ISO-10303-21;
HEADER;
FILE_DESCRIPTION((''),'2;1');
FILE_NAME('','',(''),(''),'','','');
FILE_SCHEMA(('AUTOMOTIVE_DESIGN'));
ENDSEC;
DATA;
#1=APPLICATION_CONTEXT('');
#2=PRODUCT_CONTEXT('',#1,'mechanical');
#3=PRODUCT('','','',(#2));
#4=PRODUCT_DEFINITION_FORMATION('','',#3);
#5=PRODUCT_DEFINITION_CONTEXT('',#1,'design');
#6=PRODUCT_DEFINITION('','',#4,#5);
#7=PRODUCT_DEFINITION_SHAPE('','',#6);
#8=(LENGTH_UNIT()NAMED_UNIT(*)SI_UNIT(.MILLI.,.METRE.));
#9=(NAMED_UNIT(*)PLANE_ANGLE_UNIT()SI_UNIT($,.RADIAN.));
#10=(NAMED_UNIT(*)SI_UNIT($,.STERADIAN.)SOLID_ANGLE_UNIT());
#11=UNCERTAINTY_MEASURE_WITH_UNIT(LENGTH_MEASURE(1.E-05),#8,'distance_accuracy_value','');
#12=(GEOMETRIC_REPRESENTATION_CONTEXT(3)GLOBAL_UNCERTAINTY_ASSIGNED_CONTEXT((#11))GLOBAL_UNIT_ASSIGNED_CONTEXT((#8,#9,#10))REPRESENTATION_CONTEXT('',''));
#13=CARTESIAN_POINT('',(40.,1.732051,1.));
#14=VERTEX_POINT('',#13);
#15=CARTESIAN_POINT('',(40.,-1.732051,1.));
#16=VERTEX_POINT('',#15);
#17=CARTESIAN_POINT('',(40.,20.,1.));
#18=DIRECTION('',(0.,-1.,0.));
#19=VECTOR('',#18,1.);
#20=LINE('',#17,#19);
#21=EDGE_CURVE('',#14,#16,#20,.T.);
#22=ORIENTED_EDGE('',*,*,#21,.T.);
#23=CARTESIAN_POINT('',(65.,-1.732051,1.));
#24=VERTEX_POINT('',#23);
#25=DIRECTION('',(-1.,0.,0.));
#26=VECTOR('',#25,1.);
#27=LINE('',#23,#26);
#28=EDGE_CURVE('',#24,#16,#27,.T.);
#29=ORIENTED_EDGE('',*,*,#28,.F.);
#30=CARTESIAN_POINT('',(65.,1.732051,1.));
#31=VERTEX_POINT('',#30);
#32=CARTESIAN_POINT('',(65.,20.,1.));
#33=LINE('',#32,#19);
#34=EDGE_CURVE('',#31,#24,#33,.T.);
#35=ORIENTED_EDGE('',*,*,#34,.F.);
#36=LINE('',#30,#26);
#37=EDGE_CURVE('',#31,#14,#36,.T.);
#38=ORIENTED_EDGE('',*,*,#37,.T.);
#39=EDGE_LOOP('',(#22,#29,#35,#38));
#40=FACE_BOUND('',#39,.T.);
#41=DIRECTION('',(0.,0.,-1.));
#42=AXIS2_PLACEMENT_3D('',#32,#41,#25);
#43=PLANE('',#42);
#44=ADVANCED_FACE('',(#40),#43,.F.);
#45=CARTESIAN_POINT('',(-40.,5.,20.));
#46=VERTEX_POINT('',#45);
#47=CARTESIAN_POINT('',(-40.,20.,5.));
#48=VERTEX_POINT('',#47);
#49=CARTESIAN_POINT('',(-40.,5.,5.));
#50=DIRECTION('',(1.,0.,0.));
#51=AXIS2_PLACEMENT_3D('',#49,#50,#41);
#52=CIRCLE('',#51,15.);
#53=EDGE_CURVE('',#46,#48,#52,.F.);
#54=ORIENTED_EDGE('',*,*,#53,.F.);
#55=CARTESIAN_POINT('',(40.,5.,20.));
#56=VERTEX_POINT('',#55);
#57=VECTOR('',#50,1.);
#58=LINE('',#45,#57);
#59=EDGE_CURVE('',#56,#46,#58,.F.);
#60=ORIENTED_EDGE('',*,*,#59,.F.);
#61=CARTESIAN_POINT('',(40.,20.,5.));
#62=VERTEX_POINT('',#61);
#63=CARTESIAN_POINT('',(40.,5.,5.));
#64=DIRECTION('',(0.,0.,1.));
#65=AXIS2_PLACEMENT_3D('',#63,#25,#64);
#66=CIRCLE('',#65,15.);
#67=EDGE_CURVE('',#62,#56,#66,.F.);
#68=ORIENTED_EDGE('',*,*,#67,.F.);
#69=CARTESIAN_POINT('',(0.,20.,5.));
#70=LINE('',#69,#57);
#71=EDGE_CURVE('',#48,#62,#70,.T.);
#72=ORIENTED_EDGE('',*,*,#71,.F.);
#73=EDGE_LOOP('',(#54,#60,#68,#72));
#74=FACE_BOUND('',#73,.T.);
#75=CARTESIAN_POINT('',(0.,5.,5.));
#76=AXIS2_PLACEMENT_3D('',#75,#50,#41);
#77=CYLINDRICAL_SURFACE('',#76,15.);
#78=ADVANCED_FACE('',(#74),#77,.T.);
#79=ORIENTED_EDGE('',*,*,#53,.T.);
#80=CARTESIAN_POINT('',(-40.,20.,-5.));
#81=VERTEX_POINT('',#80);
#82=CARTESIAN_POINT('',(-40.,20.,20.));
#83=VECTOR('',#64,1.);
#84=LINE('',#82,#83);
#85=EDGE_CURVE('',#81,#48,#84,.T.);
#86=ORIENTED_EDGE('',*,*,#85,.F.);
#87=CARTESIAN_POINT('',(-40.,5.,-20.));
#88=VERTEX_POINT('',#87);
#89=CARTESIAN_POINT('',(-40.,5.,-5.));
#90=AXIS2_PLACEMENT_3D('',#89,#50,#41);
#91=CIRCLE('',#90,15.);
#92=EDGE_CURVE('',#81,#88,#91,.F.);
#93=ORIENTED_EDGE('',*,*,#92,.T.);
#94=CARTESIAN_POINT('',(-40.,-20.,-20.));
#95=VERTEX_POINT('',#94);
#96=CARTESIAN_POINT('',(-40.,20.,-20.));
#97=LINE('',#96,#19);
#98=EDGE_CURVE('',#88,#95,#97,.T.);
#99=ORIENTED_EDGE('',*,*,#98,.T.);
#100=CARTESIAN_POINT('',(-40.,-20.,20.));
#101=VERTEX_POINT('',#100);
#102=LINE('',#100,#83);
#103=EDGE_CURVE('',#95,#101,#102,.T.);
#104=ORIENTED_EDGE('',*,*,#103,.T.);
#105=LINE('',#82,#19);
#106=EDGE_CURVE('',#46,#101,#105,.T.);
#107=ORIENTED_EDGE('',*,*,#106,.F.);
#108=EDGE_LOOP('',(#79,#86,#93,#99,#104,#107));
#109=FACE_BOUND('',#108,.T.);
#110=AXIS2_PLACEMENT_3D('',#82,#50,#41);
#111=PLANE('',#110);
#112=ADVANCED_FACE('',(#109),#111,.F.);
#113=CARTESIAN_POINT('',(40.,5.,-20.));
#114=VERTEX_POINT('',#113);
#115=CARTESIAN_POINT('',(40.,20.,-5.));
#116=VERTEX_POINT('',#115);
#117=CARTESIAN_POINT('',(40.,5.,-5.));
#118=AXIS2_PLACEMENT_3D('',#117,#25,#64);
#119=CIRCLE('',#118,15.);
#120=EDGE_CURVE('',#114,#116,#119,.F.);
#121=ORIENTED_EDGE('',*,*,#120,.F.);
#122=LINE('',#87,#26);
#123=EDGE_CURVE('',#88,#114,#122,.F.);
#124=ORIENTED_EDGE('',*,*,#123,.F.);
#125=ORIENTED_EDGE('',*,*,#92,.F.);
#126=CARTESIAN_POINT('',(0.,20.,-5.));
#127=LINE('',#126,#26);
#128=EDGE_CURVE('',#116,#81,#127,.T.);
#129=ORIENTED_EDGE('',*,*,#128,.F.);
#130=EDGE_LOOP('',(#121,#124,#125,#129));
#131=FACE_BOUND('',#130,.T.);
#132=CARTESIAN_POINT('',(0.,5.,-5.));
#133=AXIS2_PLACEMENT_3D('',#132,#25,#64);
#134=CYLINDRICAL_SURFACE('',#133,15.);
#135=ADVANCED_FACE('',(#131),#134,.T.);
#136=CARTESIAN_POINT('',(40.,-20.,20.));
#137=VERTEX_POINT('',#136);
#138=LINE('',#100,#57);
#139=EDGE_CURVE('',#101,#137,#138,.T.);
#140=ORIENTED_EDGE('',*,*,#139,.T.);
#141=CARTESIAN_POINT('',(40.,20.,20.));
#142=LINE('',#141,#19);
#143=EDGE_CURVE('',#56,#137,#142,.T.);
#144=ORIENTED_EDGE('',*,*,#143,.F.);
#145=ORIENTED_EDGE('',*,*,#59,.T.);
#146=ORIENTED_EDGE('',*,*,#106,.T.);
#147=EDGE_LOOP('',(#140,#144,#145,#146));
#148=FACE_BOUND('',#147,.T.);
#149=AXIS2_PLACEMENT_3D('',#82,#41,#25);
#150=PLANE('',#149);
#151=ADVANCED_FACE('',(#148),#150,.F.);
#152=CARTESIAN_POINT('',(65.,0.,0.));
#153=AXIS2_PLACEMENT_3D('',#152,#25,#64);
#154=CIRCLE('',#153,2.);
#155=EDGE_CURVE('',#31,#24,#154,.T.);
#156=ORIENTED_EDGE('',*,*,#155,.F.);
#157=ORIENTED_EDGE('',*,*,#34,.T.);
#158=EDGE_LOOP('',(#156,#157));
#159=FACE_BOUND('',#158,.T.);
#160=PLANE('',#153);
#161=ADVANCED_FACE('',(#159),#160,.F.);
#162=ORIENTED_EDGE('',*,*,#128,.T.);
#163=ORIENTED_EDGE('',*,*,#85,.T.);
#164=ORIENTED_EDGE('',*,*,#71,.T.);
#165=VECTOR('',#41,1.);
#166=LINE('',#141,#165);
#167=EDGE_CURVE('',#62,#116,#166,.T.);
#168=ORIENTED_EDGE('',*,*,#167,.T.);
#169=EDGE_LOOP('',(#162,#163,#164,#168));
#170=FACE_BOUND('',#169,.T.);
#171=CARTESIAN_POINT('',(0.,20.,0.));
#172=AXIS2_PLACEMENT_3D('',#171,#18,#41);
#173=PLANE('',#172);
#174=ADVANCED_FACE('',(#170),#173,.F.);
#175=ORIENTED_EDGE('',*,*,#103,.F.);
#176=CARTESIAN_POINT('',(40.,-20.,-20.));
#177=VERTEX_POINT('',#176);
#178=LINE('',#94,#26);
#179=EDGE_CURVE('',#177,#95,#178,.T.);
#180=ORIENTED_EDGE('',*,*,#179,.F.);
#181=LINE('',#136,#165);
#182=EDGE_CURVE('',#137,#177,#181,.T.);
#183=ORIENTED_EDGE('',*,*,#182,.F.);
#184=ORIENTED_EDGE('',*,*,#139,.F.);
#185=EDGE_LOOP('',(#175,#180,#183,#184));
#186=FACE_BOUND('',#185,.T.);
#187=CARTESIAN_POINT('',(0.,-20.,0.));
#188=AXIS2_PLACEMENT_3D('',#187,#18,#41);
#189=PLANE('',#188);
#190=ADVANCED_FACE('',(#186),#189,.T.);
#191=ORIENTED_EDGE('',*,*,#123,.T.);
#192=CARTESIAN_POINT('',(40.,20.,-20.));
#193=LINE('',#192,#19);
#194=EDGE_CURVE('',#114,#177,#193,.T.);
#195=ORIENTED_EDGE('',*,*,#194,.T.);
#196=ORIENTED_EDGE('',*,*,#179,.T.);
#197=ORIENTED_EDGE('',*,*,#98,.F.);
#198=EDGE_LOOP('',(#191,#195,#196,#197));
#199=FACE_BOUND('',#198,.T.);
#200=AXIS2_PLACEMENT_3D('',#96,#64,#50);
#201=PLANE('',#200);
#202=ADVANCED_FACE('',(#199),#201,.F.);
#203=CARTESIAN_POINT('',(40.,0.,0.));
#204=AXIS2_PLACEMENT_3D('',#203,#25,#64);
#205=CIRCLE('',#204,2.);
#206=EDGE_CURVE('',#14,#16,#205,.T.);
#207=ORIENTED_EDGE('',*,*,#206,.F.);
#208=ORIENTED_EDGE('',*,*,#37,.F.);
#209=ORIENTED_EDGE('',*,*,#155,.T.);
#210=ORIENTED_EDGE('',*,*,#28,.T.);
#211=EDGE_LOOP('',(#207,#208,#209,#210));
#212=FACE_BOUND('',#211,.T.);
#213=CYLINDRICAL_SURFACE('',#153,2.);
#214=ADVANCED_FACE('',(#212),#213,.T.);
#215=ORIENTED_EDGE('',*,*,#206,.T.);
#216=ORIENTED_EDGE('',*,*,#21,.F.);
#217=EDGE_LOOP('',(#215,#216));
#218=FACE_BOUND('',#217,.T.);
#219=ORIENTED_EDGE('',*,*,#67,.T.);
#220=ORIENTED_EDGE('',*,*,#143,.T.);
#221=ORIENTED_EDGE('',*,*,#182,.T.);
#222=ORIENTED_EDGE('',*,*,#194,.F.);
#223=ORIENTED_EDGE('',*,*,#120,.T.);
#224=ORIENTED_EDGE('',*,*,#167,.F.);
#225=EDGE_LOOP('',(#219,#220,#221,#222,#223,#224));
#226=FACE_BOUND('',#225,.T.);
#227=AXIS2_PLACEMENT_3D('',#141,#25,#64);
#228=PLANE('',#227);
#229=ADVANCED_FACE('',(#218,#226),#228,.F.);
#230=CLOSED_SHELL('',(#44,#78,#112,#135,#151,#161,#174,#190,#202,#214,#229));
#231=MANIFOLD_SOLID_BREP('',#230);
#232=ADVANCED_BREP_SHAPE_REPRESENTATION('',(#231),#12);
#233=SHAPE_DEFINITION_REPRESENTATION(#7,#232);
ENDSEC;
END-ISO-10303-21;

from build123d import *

# Parameters (mm, degrees)
SKETCH1_W           = 80
SKETCH1_H           = 40
BOSS_EXTRUDE1_DEPTH = 20
BOSS_EXTRUDE2_START = 40
BOSS_EXTRUDE2_DEPTH = 25
FILLET1_R           = 15


with BuildPart() as part:
    # Sketch1 → Boss-Extrude1 (new, symmetric)
    with BuildSketch(Plane(origin=(0, 0, 0), x_dir=(1, 0, 0), z_dir=(0, 1, 0))):
        Rectangle(SKETCH1_W, SKETCH1_H)
    extrude(amount=BOSS_EXTRUDE1_DEPTH, both=True)

    # Sketch4 → Boss-Extrude2 (add)
    with BuildSketch(Plane(origin=(0, 0, 0), x_dir=(0, 0, -1), z_dir=(1, 0, 0)).offset(BOSS_EXTRUDE2_START)):
        with BuildLine():
            ThreePointArc((2, 0), (1, 1.732050808), (-1, 1.732050808))
            Line((-1, 1.732050808), (-1, -1.732050808))
            ThreePointArc((-1, -1.732050808), (1, -1.732050808), (2, 0))
        make_face()
    extrude(amount=BOSS_EXTRUDE2_DEPTH)

    # Fillet1
    fillet1_edges = [part.edges().sort_by_distance(p)[0] for p in [
        (0, 20, 20),
        (0, 20, -20),
    ]]
    fillet(fillet1_edges, radius=FILLET1_R)


solid = part.part
